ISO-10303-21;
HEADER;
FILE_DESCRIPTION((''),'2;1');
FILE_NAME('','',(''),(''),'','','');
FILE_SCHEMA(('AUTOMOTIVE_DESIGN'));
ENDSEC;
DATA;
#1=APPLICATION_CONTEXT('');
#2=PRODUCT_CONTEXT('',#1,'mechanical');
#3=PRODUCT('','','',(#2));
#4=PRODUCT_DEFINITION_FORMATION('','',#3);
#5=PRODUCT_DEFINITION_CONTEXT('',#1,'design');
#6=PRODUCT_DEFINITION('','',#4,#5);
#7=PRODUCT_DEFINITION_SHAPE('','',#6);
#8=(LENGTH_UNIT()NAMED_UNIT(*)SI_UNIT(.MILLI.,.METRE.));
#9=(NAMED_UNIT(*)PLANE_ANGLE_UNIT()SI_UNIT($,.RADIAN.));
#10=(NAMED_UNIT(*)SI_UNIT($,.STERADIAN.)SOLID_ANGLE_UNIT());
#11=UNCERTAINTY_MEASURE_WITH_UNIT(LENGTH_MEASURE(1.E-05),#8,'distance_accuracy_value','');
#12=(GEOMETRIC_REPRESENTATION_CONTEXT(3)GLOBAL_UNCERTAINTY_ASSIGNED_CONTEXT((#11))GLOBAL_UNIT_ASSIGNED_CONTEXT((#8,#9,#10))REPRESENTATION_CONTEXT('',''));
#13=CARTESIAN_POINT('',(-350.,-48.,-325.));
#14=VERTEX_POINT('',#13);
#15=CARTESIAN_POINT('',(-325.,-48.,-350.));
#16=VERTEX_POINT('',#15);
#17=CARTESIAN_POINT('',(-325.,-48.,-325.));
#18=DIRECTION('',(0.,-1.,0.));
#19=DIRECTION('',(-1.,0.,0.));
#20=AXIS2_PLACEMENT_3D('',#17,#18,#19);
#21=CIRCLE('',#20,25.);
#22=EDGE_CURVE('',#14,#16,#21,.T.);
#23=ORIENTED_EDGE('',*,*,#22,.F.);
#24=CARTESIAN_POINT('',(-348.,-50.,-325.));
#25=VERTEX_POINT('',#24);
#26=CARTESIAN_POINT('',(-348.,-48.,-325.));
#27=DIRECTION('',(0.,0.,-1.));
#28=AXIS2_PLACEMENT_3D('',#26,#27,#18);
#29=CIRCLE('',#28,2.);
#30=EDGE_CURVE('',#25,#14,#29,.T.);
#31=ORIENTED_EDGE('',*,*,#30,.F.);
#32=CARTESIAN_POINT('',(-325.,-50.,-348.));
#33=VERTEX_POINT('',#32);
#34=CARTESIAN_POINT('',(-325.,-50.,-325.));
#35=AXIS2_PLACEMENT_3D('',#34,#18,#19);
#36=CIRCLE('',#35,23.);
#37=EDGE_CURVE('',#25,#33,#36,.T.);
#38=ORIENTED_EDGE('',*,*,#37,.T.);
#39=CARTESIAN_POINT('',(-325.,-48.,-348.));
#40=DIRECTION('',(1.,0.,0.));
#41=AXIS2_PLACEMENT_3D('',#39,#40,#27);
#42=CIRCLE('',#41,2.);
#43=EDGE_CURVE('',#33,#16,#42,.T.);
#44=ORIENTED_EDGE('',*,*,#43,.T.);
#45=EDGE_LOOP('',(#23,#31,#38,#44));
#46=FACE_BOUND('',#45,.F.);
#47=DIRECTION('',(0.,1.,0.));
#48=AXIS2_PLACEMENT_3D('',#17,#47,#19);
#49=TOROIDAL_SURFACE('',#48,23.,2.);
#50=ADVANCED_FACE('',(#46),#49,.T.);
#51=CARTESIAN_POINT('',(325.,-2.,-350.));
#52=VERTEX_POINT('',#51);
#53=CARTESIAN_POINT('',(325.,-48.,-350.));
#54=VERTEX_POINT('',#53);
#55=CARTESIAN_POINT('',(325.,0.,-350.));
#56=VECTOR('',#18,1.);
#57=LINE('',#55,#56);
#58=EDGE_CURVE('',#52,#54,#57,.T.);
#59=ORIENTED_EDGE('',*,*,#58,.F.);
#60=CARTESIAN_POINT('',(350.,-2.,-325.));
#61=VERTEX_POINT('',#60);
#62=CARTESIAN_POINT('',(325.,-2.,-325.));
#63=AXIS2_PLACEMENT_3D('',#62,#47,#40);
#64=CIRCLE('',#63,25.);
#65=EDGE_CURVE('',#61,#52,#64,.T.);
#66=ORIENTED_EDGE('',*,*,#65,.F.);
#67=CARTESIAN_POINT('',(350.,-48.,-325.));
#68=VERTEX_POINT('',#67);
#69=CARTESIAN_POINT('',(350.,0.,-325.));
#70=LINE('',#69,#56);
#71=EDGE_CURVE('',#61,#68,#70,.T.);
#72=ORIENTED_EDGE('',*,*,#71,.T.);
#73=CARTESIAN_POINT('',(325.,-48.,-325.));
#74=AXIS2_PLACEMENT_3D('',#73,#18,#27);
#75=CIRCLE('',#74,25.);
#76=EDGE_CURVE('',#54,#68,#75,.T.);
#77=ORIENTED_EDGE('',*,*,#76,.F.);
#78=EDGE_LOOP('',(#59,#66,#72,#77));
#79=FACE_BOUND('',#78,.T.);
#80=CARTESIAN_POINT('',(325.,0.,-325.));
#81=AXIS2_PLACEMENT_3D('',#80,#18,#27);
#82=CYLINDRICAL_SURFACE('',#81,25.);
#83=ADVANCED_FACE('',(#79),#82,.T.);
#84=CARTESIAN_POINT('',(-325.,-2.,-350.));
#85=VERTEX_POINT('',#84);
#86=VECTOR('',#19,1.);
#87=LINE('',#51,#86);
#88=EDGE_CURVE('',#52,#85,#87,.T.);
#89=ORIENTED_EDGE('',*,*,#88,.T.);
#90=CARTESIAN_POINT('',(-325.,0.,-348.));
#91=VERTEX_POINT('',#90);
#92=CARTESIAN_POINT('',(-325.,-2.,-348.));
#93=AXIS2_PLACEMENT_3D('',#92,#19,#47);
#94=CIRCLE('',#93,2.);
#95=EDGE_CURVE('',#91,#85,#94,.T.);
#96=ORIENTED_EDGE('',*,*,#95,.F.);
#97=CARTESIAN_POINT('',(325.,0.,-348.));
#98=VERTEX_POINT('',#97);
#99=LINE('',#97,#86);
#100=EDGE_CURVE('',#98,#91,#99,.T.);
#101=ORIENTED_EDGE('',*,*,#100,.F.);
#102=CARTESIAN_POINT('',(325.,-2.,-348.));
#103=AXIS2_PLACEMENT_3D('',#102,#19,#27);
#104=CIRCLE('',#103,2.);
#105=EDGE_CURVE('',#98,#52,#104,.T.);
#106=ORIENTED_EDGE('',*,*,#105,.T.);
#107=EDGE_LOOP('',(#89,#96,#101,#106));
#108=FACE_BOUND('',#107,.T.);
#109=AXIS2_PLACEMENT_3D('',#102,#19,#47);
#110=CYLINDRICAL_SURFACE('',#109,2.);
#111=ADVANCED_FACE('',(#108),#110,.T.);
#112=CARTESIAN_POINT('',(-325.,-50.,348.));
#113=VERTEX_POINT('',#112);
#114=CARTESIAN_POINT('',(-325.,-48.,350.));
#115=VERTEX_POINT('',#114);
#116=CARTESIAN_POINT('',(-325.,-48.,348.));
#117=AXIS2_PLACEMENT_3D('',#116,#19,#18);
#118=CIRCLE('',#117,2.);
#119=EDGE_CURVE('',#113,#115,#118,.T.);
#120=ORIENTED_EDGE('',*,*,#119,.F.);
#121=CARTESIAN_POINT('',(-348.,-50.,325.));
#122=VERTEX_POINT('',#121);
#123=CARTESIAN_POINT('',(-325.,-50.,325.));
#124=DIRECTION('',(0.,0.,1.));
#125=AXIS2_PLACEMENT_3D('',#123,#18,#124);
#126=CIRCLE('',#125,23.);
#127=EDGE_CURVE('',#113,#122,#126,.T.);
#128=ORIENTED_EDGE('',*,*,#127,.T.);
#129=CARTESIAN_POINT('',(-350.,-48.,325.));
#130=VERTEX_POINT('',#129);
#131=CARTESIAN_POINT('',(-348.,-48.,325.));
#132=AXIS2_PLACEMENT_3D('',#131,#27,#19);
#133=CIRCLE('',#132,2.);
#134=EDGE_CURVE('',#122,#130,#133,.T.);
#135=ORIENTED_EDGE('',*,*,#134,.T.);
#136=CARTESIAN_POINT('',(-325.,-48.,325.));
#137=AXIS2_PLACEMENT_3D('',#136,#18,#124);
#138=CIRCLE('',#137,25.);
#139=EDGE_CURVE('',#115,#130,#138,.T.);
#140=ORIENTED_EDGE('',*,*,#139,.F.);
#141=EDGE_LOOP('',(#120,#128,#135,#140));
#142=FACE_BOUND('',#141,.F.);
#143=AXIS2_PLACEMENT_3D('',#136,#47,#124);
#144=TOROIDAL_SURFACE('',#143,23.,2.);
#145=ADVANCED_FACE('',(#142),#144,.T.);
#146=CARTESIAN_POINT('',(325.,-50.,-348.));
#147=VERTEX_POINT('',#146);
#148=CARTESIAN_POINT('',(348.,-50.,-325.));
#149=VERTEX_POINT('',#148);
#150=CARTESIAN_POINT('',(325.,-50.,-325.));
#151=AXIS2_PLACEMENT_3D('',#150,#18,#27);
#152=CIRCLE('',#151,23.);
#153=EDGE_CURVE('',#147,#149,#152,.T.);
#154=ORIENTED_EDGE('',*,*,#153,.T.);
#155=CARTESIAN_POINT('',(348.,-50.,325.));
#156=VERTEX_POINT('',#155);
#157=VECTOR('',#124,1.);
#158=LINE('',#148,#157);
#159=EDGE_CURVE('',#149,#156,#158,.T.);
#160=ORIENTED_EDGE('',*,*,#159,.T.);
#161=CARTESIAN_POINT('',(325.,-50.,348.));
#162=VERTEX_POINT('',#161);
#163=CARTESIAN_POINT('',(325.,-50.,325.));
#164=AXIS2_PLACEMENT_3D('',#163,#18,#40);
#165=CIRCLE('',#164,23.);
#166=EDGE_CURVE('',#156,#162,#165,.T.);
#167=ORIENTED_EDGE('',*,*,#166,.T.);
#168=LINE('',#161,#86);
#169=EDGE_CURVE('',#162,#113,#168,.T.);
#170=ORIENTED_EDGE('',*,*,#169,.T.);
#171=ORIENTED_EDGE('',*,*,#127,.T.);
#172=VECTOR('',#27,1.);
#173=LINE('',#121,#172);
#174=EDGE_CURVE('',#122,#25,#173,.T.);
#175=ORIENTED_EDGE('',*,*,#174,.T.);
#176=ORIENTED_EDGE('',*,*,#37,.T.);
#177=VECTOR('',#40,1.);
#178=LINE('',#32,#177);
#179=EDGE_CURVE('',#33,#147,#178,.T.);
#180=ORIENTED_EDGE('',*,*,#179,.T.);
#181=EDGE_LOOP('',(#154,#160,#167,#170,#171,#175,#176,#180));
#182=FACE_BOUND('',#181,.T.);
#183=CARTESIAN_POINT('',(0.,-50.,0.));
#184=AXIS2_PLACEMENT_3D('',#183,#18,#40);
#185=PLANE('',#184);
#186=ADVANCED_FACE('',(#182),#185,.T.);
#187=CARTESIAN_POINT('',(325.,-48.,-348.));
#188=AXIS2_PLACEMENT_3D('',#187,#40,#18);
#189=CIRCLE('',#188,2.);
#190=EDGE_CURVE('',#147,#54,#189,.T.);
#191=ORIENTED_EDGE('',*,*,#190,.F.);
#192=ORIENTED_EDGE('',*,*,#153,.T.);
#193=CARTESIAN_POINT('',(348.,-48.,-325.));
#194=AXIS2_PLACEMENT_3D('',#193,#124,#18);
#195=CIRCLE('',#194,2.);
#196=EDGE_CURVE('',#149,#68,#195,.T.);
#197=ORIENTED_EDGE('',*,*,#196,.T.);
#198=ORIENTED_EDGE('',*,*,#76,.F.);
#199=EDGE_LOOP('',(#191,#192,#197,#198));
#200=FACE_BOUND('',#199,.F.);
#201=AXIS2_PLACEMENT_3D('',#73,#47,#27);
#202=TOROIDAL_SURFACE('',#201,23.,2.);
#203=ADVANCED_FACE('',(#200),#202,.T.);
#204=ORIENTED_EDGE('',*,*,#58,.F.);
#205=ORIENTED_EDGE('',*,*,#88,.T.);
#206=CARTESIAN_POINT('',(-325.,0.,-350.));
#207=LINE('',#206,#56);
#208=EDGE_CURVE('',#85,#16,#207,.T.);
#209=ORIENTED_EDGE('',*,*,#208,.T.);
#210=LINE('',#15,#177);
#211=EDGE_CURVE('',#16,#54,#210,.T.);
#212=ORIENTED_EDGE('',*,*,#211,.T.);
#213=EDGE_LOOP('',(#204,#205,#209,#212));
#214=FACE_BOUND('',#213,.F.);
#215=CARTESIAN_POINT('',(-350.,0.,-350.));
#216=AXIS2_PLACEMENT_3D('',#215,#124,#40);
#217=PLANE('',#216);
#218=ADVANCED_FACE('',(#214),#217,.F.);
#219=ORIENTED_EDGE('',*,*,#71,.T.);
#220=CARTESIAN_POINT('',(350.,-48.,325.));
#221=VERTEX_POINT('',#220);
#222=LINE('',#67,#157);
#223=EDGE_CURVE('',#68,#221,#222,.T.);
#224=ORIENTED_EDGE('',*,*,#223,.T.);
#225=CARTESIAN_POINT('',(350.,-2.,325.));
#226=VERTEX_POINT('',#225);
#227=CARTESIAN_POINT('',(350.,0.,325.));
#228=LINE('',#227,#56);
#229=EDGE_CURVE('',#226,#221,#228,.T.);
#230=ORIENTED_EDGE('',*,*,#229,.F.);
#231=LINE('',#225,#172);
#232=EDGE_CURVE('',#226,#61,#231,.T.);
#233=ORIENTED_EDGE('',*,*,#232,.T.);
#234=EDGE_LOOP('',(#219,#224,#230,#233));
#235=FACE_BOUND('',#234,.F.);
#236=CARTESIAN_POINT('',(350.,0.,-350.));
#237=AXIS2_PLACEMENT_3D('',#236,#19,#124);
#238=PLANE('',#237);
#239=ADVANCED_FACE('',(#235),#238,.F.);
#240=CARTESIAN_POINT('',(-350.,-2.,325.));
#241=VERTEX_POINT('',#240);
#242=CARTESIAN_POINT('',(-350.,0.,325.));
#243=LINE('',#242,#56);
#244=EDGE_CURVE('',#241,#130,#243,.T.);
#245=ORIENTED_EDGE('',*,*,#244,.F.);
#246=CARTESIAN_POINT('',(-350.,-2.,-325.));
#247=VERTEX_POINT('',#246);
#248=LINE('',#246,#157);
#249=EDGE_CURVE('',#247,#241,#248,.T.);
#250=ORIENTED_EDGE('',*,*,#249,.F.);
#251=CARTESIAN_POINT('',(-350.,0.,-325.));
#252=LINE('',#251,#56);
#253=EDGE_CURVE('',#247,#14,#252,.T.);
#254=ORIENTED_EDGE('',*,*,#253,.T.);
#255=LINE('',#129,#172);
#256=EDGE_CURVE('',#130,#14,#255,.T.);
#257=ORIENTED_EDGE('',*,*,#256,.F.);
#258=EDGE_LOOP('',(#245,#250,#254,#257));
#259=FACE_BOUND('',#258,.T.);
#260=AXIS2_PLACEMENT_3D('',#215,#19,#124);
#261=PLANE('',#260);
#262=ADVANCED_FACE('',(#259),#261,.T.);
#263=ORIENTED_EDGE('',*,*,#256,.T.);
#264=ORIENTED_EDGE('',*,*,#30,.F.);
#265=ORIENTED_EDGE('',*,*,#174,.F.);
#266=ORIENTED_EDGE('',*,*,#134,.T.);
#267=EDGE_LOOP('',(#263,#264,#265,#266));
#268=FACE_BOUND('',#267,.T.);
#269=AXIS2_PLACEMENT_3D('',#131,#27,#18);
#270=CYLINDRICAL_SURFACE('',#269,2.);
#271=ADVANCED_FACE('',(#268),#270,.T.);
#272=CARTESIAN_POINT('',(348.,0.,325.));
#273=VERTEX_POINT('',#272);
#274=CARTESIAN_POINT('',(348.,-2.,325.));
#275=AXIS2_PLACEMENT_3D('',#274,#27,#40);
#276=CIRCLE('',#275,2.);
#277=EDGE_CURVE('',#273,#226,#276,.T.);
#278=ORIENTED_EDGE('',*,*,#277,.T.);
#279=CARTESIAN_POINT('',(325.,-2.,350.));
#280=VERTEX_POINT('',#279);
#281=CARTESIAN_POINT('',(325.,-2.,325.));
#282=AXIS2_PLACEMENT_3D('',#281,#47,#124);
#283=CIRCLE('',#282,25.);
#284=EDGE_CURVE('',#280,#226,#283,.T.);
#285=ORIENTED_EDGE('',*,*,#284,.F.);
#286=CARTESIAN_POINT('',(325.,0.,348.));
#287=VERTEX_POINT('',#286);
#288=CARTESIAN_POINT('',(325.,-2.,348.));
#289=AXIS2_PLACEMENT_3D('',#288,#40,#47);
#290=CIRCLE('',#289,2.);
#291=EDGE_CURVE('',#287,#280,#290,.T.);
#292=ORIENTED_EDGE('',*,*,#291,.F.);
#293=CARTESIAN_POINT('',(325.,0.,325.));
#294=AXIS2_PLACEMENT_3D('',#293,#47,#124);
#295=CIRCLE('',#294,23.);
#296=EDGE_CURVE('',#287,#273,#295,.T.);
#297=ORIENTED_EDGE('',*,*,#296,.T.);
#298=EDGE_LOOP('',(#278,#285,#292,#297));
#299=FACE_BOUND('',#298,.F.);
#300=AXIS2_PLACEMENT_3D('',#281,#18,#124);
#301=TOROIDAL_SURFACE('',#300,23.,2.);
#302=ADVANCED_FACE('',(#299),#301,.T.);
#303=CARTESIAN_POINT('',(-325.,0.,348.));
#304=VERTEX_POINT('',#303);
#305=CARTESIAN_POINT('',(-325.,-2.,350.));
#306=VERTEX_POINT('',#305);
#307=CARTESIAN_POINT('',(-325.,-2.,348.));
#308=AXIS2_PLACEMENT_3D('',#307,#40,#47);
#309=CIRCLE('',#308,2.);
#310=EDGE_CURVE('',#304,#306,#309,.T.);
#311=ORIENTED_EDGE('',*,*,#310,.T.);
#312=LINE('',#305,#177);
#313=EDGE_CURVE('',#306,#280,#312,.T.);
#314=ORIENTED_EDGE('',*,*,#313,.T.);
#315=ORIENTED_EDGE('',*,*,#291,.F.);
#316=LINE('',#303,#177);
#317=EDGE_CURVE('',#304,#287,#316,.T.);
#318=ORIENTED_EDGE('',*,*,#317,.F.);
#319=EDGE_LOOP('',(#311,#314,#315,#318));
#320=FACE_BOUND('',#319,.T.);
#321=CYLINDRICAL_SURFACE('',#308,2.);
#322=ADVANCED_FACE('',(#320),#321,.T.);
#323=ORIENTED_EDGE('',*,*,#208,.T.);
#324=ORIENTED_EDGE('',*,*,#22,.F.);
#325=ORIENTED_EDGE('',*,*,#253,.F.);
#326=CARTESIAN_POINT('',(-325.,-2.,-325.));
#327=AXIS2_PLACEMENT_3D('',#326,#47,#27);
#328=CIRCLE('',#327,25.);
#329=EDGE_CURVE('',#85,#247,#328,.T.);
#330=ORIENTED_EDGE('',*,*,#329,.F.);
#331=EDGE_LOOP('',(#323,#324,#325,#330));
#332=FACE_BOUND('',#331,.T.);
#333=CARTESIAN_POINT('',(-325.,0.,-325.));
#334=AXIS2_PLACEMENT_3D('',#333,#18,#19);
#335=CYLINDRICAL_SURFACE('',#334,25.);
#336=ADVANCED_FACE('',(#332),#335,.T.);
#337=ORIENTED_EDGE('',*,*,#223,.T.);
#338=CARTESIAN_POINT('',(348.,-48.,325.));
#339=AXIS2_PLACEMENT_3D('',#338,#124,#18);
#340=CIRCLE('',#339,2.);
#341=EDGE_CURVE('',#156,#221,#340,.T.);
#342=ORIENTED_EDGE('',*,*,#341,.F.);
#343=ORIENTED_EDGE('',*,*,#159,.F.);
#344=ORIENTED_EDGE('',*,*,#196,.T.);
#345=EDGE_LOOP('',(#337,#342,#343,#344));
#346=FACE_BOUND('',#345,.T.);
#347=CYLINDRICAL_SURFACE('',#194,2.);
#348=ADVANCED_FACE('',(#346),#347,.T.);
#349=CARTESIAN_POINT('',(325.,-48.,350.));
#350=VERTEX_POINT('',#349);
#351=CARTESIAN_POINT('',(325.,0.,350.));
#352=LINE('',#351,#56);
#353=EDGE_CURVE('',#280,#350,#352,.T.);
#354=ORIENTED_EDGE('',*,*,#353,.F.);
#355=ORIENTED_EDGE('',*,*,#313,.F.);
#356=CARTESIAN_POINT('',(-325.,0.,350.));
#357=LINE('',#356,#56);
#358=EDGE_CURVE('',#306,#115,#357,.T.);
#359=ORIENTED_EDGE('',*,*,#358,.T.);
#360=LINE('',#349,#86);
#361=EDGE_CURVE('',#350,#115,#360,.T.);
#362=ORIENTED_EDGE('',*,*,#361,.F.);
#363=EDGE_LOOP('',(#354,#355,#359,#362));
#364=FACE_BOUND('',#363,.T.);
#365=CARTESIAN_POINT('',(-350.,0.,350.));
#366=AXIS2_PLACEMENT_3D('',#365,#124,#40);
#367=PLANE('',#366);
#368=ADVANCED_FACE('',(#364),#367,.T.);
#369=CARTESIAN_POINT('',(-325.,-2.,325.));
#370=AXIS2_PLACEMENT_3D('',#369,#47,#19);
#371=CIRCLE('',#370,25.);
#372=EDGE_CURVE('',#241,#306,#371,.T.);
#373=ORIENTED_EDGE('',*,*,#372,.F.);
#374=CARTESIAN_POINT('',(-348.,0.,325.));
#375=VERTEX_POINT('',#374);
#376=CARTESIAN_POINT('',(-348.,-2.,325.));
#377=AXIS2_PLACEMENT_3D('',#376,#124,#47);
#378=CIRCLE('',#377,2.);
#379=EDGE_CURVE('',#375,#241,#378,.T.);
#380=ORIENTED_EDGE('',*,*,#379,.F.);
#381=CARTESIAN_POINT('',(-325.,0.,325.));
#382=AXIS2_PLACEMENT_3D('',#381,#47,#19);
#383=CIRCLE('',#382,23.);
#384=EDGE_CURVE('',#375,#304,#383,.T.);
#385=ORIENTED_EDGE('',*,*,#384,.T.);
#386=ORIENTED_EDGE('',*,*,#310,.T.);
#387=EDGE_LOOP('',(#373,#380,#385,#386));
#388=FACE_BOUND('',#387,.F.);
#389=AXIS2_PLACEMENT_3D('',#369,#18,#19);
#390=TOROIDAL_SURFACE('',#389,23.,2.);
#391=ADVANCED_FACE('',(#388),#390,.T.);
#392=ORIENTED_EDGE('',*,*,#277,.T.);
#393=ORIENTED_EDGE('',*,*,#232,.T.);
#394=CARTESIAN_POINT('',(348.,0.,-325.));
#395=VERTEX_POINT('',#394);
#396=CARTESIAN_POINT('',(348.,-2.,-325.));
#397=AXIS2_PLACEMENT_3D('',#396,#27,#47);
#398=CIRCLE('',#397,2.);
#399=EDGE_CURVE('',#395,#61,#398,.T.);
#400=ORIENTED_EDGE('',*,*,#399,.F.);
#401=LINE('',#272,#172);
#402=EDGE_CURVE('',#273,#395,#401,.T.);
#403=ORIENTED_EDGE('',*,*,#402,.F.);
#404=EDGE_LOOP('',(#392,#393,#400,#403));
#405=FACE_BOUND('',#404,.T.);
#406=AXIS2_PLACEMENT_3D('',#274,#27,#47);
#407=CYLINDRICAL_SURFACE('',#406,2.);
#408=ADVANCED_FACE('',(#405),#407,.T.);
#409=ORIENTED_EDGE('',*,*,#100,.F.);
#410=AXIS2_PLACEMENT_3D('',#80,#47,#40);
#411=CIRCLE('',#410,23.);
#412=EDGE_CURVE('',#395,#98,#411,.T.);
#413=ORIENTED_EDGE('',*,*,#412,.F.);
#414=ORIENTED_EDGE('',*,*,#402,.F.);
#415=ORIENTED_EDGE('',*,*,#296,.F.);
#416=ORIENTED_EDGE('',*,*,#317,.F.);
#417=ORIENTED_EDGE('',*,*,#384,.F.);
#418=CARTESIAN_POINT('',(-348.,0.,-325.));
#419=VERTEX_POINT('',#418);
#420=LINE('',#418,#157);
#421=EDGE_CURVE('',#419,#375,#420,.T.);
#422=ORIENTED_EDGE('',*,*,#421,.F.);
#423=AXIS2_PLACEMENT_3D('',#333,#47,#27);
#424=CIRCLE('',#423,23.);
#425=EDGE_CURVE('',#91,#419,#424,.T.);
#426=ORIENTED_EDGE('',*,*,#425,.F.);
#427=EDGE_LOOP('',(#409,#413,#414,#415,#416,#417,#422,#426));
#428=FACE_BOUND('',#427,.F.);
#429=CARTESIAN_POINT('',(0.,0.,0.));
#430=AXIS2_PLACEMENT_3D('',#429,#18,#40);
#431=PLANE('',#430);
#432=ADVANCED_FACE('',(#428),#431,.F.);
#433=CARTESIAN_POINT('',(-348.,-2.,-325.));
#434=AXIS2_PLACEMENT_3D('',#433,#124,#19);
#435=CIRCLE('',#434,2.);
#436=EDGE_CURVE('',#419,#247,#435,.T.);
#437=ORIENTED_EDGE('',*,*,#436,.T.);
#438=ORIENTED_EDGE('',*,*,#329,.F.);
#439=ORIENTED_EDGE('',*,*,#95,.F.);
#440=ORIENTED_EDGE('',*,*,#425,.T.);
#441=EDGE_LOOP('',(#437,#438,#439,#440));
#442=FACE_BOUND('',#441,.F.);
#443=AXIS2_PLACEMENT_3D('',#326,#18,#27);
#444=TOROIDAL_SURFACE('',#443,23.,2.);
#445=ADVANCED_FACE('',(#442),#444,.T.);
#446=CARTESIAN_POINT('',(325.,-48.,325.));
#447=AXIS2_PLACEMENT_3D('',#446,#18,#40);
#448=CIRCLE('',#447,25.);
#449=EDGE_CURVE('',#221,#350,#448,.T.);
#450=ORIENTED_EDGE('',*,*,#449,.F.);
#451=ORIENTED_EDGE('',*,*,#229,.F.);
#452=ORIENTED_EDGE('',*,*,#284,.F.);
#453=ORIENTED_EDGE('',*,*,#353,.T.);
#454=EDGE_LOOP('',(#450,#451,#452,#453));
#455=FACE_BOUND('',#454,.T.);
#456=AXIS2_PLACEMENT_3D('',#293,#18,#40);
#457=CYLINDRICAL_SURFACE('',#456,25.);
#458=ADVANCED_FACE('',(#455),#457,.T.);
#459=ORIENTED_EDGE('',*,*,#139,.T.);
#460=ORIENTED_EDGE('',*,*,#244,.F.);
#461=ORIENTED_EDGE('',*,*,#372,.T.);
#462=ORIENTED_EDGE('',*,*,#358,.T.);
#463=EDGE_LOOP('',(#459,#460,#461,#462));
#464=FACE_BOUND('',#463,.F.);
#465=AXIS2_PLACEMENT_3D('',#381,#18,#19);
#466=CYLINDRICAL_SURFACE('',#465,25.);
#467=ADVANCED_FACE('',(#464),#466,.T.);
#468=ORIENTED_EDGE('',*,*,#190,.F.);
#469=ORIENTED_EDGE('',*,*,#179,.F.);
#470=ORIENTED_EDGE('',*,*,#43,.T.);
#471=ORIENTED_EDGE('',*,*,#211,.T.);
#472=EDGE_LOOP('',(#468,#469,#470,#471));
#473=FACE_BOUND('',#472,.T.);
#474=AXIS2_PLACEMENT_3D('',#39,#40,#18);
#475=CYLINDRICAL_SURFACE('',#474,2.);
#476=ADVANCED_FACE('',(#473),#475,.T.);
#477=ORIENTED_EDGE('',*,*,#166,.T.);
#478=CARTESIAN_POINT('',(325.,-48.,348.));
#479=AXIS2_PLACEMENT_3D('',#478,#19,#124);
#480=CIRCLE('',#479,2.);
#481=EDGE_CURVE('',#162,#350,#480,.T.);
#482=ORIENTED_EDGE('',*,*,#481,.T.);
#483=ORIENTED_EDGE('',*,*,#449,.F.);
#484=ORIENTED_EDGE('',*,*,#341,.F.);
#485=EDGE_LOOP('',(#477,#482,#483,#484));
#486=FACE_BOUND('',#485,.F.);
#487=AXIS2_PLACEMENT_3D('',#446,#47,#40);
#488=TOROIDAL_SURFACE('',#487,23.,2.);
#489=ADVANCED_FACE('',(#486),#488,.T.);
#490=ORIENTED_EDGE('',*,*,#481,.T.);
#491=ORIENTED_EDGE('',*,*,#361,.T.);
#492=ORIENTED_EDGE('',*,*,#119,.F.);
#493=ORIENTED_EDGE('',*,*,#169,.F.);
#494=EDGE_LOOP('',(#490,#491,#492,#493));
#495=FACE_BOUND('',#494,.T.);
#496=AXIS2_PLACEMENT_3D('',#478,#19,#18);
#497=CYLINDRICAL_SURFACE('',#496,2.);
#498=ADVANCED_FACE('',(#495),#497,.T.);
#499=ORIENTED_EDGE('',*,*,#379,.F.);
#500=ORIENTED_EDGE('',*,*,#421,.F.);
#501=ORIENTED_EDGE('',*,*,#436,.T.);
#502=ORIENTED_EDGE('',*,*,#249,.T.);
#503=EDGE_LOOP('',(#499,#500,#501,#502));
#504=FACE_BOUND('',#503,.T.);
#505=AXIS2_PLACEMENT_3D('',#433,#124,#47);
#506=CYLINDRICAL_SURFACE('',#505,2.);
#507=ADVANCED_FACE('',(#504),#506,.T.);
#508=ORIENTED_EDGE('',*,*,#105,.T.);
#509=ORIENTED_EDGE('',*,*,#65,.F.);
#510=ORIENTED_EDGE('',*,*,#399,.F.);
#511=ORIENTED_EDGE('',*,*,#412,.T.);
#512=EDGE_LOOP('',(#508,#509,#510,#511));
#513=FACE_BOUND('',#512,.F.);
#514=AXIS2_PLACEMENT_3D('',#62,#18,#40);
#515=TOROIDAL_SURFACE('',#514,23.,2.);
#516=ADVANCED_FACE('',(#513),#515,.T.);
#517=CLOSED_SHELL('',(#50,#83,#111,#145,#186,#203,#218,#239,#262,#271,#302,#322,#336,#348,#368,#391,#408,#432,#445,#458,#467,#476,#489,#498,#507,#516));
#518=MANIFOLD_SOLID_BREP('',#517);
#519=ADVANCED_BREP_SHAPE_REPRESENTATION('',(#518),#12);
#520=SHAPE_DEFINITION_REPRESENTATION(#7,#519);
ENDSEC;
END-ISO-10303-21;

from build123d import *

# Parameters (mm, degrees)
F0_W     = 700
F0_H     = 700
F1_DEPTH = 50
F2_R     = 25
F3_R     = 2


with BuildPart() as f1:
    # F0 (on Front) → F1 (new body)
    with BuildSketch(Plane.XZ):
        Rectangle(F0_W, F0_H)
    extrude(amount=F1_DEPTH)

    # F2
    f2_edges = [f1.edges().sort_by_distance(p)[0] for p in [
        (-350, -25, 350),
        (-350, -25, -350),
        (350, -25, -350),
        (350, -25, 350),
    ]]
    fillet(f2_edges, radius=F2_R)

    # F3
    f3_edges = [f1.edges().sort_by_distance(p)[0] for p in [
        (350, -50, 0),
        (0, -50, 350),
        (-350, -50, 0),
        (-342.67767, -50, 342.67767),
        (-342.67767, -50, -342.67767),
        (0, -50, -350),
        (342.67767, -50, -342.67767),
        (342.67767, -50, 342.67767),
        (0, 0, 350),
        (342.67767, 0, 342.67767),
        (350, 0, 0),
        (342.67767, 0, -342.67767),
        (0, 0, -350),
        (-342.67767, 0, -342.67767),
        (-350, 0, 0),
        (-342.67767, 0, 342.67767),
    ]]
    fillet(f3_edges, radius=F3_R)


solid = f1.part
